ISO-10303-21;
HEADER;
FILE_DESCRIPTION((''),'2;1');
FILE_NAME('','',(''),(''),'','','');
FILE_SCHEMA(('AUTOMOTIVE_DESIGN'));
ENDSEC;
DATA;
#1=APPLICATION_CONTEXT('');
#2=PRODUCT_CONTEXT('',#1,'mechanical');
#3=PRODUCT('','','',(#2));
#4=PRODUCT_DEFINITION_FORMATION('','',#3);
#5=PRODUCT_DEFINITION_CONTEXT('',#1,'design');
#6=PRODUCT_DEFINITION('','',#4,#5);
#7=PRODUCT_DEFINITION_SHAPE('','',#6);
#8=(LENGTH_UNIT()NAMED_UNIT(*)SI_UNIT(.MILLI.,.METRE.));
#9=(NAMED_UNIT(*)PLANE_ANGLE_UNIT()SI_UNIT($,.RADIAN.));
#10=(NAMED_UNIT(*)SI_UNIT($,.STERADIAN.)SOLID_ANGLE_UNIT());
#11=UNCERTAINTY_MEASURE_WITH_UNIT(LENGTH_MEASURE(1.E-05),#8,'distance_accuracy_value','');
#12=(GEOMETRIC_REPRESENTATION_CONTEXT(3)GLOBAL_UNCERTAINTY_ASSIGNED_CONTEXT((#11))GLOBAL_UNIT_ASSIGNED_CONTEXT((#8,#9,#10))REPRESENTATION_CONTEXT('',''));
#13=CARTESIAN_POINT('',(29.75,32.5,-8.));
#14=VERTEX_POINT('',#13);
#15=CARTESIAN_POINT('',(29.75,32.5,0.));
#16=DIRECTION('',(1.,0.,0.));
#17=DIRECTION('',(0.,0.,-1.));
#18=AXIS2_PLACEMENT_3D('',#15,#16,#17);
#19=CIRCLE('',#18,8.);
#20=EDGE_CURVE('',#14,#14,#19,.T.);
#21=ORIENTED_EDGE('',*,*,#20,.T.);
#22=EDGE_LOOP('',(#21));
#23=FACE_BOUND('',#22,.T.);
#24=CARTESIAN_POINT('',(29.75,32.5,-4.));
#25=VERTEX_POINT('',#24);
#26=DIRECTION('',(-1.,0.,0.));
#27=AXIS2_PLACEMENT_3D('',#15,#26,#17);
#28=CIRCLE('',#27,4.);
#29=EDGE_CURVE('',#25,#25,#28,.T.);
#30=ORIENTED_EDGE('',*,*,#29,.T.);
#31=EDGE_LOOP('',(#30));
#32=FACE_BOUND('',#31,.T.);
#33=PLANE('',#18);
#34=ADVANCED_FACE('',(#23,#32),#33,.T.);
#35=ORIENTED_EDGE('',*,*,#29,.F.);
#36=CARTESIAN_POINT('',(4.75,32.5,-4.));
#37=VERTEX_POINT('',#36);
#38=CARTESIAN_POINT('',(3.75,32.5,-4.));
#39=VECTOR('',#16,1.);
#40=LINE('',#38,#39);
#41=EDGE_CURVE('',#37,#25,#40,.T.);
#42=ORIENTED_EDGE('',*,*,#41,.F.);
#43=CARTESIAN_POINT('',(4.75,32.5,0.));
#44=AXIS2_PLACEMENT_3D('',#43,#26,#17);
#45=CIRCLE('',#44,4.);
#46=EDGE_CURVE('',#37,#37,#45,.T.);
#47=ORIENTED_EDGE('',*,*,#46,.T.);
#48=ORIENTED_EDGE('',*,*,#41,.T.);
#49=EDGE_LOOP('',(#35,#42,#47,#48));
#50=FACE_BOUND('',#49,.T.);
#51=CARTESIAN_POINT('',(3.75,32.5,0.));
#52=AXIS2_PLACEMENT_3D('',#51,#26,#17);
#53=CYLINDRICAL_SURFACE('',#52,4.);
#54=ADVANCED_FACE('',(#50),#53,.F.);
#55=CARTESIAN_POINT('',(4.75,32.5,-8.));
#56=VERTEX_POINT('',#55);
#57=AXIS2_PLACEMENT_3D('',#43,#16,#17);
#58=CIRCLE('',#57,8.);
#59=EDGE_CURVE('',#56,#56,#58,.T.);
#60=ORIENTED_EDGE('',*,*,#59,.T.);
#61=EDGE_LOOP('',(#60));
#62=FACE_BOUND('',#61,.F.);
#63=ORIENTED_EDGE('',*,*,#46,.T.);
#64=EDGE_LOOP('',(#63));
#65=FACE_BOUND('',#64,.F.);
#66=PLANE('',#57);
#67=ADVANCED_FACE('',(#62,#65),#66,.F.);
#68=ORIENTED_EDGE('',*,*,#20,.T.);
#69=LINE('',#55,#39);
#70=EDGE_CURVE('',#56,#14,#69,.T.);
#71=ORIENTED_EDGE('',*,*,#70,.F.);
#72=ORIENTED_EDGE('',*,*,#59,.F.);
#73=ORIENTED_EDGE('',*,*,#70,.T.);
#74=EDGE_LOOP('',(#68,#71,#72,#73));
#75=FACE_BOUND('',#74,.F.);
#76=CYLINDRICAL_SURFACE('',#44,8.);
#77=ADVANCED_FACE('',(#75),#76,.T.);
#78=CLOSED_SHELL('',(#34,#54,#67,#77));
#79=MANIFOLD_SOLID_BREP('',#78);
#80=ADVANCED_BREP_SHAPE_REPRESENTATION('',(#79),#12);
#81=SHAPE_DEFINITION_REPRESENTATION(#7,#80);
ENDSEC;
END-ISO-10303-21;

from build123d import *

# Parameters (mm, degrees)
LM8UU_CEN_X_Y_INT_R           = 4
LM8UU_CEN_X_Y_INT_DEPTH       = 27
LM8UU_CEN_X_Y_INT_PITCH_ANGLE = 90
LM8UU_CEN_X_Y_EXT_R           = 8
LM8UU_CEN_X_Y_EXT_DEPTH       = 25
LM8UU_CEN_X_Y_EXT_PITCH_ANGLE = 90


with BuildPart() as lm8uu_cen_x_y_int:
    # lm8uu_cen_x_y_int → lm8uu_cen_x_y_int (new body)
    with BuildSketch(Plane.XY):
        Circle(LM8UU_CEN_X_Y_INT_R)
    extrude(amount=LM8UU_CEN_X_Y_INT_DEPTH)


with BuildPart() as lm8uu_cen_x_y_int_1:
    # lm8uu_cen_x_y_int pitch: moved
    add(lm8uu_cen_x_y_int.part.rotate(Axis((0, 0, 0), (0, 1, 0)), LM8UU_CEN_X_Y_INT_PITCH_ANGLE))


with BuildPart() as lm8uu_cen_x_y_int_2:
    # lm8uu_cen_x_y_int placement: moved
    add(lm8uu_cen_x_y_int_1.part.moved(Location((-13.5, 0, 0))))


with BuildPart() as lm8uu_cen_x_y:
    # lm8uu_cen_x_y_ext → lm8uu_cen_x_y_ext (new body)
    with BuildSketch(Plane.XY):
        Circle(LM8UU_CEN_X_Y_EXT_R)
    extrude(amount=LM8UU_CEN_X_Y_EXT_DEPTH)


with BuildPart() as lm8uu_cen_x_y_1:
    # lm8uu_cen_x_y_ext pitch: moved
    add(lm8uu_cen_x_y.part.rotate(Axis((0, 0, 0), (0, 1, 0)), LM8UU_CEN_X_Y_EXT_PITCH_ANGLE))


with BuildPart() as lm8uu_cen_x_y_2:
    # lm8uu_cen_x_y_ext placement: moved
    add(lm8uu_cen_x_y_1.part.moved(Location((-12.5, 0, 0))))

    # lm8uu_cen_x_y: cut lm8uu_cen_x_y_int
    add(lm8uu_cen_x_y_int_2.part, mode=Mode.SUBTRACT)


with BuildPart() as lm8uu_cen_x_y_3:
    # lm8uu_cen_x_y placement: moved
    add(lm8uu_cen_x_y_2.part.moved(Location((17.25, 32.5, 0))))


solid = lm8uu_cen_x_y_3.part
